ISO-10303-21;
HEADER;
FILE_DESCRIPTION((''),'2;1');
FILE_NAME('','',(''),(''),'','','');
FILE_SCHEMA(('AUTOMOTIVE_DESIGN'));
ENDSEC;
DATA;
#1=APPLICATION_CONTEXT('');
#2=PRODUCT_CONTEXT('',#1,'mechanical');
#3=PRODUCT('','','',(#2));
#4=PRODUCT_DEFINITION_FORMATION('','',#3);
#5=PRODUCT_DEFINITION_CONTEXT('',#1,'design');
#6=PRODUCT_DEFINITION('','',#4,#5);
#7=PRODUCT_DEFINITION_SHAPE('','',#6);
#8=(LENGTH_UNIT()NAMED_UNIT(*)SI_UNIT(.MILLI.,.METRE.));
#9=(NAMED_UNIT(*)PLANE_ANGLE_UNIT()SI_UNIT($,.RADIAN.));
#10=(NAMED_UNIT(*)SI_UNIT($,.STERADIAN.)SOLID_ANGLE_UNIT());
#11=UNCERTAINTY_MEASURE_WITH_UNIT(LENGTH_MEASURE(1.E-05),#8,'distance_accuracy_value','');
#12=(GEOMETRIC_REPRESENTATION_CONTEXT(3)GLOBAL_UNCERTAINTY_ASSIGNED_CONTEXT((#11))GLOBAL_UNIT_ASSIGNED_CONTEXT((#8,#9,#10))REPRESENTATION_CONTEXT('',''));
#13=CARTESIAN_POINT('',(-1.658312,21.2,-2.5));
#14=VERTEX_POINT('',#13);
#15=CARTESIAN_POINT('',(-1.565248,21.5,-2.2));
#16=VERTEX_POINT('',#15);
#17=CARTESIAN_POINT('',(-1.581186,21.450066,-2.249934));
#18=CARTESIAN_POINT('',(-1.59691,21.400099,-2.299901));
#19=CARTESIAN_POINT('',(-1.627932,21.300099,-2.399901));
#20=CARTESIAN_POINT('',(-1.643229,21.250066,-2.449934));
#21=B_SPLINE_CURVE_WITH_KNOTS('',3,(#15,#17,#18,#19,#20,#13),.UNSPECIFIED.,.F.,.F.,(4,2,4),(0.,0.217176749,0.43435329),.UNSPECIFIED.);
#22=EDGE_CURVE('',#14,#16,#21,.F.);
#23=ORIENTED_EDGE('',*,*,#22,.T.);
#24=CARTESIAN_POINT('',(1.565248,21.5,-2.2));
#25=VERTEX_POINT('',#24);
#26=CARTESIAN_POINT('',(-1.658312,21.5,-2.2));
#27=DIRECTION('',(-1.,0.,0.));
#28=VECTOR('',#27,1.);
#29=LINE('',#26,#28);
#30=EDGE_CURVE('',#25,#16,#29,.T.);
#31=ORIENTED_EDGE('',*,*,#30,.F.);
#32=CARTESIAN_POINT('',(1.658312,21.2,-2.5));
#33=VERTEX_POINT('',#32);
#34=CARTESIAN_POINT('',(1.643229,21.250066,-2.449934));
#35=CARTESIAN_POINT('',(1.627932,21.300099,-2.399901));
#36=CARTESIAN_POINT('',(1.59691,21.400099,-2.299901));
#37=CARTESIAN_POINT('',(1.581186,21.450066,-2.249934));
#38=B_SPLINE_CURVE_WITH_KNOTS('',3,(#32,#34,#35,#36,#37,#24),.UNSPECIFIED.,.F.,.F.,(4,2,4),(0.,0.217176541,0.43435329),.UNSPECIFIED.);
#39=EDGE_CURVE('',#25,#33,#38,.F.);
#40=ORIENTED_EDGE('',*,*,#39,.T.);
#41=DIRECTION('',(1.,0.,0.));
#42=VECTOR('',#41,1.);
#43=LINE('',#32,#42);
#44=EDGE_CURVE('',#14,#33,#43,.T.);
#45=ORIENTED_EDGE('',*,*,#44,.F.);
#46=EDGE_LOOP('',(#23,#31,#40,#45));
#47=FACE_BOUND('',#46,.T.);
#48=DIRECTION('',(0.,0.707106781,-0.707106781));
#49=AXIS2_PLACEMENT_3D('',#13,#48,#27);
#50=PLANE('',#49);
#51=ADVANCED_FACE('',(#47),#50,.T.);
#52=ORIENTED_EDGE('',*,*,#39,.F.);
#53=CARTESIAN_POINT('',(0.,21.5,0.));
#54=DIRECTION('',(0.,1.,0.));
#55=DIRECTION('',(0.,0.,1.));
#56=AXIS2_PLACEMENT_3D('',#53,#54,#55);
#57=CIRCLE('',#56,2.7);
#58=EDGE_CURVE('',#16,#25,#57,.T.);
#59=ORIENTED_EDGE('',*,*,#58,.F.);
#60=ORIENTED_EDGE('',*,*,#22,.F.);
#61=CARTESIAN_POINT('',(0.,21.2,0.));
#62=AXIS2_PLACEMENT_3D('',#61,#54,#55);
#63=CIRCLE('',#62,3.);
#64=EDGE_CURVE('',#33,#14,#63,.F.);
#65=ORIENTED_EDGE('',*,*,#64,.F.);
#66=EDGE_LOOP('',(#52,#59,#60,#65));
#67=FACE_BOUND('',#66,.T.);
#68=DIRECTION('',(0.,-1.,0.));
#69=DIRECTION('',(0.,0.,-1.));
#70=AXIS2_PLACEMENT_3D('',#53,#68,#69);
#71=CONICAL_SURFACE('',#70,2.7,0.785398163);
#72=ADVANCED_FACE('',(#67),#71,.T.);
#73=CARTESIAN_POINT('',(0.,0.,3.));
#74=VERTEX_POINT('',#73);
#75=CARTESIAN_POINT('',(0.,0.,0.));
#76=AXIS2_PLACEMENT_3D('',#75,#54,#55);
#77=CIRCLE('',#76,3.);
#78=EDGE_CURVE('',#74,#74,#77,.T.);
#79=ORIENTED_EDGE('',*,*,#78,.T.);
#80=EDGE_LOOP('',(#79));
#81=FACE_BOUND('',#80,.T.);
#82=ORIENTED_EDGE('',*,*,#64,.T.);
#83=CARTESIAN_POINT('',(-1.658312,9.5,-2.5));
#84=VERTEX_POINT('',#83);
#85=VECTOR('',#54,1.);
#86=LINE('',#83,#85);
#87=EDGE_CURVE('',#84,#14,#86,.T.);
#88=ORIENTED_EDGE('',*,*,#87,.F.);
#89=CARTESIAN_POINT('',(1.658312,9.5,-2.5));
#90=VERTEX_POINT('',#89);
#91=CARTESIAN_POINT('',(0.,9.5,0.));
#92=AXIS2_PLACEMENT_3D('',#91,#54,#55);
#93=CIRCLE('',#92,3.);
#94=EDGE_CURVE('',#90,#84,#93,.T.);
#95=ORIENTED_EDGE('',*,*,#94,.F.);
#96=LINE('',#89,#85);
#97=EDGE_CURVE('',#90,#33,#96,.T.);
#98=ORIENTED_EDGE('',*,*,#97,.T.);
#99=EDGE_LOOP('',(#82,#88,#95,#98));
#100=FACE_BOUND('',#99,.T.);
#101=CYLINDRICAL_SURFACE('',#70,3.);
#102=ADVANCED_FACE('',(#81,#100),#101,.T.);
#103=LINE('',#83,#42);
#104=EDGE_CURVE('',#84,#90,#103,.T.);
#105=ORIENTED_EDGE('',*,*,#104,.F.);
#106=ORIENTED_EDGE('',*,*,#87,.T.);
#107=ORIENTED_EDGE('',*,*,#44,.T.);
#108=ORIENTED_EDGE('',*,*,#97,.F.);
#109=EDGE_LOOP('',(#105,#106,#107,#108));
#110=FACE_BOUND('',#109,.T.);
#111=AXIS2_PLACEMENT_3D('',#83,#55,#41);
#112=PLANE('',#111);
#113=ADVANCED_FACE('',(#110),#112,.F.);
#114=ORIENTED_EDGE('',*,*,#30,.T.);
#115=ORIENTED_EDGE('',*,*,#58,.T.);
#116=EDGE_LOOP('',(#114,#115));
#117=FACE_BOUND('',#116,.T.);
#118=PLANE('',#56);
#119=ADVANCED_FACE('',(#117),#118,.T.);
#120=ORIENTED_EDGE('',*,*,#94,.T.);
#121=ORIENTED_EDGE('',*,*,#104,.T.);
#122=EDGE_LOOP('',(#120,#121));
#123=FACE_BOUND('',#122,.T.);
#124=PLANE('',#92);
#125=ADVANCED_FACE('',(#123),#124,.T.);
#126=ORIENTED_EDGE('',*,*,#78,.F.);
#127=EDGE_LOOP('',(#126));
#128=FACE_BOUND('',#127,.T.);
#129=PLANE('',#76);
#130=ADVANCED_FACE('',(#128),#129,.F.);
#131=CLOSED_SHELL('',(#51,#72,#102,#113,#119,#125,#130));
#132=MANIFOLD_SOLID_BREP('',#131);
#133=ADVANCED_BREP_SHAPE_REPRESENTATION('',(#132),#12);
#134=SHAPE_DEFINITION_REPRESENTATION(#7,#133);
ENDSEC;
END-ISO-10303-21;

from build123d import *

# Parameters (mm, degrees)
CROQUIS1_R              = 3
SALIENTE_EXTRUIR1_DEPTH = 21.5
CORTAR_EXTRUIR1_START   = -12
CORTAR_EXTRUIR1_DEPTH   = 12
CHAFL_N1_SIZE           = 0.3


with BuildPart() as part:
    # Croquis1 → Saliente-Extruir1 (new body)
    with BuildSketch(Plane(origin=(0, 0, 0), x_dir=(1, 0, 0), z_dir=(0, 1, 0))):
        with Locations(Location((0, 0, 0), (0, 0, 270))):
            Circle(CROQUIS1_R)
    extrude(amount=SALIENTE_EXTRUIR1_DEPTH)

    # Croquis2 → Cortar-Extruir1 (cut)
    with BuildSketch(Plane(origin=(0, 21.5, 0), x_dir=(1, 0, 0), z_dir=(0, 1, 0)).offset(CORTAR_EXTRUIR1_START)):
        with BuildLine():
            Line((-1.658312395, 2.5), (1.658312395, 2.5))
            ThreePointArc((1.658312395, 2.5), (0, 3), (-1.658312395, 2.5))
        make_face()
    extrude(amount=CORTAR_EXTRUIR1_DEPTH, mode=Mode.SUBTRACT)

    # Chaflán1
    chafl_n1_edges = [part.edges().sort_by_distance(p)[0] for p in [
        (-2.872281323, 21.5, 0.866025404),
        (0, 21.5, -2.5),
    ]]
    chamfer(chafl_n1_edges, length=CHAFL_N1_SIZE)


solid = part.part
